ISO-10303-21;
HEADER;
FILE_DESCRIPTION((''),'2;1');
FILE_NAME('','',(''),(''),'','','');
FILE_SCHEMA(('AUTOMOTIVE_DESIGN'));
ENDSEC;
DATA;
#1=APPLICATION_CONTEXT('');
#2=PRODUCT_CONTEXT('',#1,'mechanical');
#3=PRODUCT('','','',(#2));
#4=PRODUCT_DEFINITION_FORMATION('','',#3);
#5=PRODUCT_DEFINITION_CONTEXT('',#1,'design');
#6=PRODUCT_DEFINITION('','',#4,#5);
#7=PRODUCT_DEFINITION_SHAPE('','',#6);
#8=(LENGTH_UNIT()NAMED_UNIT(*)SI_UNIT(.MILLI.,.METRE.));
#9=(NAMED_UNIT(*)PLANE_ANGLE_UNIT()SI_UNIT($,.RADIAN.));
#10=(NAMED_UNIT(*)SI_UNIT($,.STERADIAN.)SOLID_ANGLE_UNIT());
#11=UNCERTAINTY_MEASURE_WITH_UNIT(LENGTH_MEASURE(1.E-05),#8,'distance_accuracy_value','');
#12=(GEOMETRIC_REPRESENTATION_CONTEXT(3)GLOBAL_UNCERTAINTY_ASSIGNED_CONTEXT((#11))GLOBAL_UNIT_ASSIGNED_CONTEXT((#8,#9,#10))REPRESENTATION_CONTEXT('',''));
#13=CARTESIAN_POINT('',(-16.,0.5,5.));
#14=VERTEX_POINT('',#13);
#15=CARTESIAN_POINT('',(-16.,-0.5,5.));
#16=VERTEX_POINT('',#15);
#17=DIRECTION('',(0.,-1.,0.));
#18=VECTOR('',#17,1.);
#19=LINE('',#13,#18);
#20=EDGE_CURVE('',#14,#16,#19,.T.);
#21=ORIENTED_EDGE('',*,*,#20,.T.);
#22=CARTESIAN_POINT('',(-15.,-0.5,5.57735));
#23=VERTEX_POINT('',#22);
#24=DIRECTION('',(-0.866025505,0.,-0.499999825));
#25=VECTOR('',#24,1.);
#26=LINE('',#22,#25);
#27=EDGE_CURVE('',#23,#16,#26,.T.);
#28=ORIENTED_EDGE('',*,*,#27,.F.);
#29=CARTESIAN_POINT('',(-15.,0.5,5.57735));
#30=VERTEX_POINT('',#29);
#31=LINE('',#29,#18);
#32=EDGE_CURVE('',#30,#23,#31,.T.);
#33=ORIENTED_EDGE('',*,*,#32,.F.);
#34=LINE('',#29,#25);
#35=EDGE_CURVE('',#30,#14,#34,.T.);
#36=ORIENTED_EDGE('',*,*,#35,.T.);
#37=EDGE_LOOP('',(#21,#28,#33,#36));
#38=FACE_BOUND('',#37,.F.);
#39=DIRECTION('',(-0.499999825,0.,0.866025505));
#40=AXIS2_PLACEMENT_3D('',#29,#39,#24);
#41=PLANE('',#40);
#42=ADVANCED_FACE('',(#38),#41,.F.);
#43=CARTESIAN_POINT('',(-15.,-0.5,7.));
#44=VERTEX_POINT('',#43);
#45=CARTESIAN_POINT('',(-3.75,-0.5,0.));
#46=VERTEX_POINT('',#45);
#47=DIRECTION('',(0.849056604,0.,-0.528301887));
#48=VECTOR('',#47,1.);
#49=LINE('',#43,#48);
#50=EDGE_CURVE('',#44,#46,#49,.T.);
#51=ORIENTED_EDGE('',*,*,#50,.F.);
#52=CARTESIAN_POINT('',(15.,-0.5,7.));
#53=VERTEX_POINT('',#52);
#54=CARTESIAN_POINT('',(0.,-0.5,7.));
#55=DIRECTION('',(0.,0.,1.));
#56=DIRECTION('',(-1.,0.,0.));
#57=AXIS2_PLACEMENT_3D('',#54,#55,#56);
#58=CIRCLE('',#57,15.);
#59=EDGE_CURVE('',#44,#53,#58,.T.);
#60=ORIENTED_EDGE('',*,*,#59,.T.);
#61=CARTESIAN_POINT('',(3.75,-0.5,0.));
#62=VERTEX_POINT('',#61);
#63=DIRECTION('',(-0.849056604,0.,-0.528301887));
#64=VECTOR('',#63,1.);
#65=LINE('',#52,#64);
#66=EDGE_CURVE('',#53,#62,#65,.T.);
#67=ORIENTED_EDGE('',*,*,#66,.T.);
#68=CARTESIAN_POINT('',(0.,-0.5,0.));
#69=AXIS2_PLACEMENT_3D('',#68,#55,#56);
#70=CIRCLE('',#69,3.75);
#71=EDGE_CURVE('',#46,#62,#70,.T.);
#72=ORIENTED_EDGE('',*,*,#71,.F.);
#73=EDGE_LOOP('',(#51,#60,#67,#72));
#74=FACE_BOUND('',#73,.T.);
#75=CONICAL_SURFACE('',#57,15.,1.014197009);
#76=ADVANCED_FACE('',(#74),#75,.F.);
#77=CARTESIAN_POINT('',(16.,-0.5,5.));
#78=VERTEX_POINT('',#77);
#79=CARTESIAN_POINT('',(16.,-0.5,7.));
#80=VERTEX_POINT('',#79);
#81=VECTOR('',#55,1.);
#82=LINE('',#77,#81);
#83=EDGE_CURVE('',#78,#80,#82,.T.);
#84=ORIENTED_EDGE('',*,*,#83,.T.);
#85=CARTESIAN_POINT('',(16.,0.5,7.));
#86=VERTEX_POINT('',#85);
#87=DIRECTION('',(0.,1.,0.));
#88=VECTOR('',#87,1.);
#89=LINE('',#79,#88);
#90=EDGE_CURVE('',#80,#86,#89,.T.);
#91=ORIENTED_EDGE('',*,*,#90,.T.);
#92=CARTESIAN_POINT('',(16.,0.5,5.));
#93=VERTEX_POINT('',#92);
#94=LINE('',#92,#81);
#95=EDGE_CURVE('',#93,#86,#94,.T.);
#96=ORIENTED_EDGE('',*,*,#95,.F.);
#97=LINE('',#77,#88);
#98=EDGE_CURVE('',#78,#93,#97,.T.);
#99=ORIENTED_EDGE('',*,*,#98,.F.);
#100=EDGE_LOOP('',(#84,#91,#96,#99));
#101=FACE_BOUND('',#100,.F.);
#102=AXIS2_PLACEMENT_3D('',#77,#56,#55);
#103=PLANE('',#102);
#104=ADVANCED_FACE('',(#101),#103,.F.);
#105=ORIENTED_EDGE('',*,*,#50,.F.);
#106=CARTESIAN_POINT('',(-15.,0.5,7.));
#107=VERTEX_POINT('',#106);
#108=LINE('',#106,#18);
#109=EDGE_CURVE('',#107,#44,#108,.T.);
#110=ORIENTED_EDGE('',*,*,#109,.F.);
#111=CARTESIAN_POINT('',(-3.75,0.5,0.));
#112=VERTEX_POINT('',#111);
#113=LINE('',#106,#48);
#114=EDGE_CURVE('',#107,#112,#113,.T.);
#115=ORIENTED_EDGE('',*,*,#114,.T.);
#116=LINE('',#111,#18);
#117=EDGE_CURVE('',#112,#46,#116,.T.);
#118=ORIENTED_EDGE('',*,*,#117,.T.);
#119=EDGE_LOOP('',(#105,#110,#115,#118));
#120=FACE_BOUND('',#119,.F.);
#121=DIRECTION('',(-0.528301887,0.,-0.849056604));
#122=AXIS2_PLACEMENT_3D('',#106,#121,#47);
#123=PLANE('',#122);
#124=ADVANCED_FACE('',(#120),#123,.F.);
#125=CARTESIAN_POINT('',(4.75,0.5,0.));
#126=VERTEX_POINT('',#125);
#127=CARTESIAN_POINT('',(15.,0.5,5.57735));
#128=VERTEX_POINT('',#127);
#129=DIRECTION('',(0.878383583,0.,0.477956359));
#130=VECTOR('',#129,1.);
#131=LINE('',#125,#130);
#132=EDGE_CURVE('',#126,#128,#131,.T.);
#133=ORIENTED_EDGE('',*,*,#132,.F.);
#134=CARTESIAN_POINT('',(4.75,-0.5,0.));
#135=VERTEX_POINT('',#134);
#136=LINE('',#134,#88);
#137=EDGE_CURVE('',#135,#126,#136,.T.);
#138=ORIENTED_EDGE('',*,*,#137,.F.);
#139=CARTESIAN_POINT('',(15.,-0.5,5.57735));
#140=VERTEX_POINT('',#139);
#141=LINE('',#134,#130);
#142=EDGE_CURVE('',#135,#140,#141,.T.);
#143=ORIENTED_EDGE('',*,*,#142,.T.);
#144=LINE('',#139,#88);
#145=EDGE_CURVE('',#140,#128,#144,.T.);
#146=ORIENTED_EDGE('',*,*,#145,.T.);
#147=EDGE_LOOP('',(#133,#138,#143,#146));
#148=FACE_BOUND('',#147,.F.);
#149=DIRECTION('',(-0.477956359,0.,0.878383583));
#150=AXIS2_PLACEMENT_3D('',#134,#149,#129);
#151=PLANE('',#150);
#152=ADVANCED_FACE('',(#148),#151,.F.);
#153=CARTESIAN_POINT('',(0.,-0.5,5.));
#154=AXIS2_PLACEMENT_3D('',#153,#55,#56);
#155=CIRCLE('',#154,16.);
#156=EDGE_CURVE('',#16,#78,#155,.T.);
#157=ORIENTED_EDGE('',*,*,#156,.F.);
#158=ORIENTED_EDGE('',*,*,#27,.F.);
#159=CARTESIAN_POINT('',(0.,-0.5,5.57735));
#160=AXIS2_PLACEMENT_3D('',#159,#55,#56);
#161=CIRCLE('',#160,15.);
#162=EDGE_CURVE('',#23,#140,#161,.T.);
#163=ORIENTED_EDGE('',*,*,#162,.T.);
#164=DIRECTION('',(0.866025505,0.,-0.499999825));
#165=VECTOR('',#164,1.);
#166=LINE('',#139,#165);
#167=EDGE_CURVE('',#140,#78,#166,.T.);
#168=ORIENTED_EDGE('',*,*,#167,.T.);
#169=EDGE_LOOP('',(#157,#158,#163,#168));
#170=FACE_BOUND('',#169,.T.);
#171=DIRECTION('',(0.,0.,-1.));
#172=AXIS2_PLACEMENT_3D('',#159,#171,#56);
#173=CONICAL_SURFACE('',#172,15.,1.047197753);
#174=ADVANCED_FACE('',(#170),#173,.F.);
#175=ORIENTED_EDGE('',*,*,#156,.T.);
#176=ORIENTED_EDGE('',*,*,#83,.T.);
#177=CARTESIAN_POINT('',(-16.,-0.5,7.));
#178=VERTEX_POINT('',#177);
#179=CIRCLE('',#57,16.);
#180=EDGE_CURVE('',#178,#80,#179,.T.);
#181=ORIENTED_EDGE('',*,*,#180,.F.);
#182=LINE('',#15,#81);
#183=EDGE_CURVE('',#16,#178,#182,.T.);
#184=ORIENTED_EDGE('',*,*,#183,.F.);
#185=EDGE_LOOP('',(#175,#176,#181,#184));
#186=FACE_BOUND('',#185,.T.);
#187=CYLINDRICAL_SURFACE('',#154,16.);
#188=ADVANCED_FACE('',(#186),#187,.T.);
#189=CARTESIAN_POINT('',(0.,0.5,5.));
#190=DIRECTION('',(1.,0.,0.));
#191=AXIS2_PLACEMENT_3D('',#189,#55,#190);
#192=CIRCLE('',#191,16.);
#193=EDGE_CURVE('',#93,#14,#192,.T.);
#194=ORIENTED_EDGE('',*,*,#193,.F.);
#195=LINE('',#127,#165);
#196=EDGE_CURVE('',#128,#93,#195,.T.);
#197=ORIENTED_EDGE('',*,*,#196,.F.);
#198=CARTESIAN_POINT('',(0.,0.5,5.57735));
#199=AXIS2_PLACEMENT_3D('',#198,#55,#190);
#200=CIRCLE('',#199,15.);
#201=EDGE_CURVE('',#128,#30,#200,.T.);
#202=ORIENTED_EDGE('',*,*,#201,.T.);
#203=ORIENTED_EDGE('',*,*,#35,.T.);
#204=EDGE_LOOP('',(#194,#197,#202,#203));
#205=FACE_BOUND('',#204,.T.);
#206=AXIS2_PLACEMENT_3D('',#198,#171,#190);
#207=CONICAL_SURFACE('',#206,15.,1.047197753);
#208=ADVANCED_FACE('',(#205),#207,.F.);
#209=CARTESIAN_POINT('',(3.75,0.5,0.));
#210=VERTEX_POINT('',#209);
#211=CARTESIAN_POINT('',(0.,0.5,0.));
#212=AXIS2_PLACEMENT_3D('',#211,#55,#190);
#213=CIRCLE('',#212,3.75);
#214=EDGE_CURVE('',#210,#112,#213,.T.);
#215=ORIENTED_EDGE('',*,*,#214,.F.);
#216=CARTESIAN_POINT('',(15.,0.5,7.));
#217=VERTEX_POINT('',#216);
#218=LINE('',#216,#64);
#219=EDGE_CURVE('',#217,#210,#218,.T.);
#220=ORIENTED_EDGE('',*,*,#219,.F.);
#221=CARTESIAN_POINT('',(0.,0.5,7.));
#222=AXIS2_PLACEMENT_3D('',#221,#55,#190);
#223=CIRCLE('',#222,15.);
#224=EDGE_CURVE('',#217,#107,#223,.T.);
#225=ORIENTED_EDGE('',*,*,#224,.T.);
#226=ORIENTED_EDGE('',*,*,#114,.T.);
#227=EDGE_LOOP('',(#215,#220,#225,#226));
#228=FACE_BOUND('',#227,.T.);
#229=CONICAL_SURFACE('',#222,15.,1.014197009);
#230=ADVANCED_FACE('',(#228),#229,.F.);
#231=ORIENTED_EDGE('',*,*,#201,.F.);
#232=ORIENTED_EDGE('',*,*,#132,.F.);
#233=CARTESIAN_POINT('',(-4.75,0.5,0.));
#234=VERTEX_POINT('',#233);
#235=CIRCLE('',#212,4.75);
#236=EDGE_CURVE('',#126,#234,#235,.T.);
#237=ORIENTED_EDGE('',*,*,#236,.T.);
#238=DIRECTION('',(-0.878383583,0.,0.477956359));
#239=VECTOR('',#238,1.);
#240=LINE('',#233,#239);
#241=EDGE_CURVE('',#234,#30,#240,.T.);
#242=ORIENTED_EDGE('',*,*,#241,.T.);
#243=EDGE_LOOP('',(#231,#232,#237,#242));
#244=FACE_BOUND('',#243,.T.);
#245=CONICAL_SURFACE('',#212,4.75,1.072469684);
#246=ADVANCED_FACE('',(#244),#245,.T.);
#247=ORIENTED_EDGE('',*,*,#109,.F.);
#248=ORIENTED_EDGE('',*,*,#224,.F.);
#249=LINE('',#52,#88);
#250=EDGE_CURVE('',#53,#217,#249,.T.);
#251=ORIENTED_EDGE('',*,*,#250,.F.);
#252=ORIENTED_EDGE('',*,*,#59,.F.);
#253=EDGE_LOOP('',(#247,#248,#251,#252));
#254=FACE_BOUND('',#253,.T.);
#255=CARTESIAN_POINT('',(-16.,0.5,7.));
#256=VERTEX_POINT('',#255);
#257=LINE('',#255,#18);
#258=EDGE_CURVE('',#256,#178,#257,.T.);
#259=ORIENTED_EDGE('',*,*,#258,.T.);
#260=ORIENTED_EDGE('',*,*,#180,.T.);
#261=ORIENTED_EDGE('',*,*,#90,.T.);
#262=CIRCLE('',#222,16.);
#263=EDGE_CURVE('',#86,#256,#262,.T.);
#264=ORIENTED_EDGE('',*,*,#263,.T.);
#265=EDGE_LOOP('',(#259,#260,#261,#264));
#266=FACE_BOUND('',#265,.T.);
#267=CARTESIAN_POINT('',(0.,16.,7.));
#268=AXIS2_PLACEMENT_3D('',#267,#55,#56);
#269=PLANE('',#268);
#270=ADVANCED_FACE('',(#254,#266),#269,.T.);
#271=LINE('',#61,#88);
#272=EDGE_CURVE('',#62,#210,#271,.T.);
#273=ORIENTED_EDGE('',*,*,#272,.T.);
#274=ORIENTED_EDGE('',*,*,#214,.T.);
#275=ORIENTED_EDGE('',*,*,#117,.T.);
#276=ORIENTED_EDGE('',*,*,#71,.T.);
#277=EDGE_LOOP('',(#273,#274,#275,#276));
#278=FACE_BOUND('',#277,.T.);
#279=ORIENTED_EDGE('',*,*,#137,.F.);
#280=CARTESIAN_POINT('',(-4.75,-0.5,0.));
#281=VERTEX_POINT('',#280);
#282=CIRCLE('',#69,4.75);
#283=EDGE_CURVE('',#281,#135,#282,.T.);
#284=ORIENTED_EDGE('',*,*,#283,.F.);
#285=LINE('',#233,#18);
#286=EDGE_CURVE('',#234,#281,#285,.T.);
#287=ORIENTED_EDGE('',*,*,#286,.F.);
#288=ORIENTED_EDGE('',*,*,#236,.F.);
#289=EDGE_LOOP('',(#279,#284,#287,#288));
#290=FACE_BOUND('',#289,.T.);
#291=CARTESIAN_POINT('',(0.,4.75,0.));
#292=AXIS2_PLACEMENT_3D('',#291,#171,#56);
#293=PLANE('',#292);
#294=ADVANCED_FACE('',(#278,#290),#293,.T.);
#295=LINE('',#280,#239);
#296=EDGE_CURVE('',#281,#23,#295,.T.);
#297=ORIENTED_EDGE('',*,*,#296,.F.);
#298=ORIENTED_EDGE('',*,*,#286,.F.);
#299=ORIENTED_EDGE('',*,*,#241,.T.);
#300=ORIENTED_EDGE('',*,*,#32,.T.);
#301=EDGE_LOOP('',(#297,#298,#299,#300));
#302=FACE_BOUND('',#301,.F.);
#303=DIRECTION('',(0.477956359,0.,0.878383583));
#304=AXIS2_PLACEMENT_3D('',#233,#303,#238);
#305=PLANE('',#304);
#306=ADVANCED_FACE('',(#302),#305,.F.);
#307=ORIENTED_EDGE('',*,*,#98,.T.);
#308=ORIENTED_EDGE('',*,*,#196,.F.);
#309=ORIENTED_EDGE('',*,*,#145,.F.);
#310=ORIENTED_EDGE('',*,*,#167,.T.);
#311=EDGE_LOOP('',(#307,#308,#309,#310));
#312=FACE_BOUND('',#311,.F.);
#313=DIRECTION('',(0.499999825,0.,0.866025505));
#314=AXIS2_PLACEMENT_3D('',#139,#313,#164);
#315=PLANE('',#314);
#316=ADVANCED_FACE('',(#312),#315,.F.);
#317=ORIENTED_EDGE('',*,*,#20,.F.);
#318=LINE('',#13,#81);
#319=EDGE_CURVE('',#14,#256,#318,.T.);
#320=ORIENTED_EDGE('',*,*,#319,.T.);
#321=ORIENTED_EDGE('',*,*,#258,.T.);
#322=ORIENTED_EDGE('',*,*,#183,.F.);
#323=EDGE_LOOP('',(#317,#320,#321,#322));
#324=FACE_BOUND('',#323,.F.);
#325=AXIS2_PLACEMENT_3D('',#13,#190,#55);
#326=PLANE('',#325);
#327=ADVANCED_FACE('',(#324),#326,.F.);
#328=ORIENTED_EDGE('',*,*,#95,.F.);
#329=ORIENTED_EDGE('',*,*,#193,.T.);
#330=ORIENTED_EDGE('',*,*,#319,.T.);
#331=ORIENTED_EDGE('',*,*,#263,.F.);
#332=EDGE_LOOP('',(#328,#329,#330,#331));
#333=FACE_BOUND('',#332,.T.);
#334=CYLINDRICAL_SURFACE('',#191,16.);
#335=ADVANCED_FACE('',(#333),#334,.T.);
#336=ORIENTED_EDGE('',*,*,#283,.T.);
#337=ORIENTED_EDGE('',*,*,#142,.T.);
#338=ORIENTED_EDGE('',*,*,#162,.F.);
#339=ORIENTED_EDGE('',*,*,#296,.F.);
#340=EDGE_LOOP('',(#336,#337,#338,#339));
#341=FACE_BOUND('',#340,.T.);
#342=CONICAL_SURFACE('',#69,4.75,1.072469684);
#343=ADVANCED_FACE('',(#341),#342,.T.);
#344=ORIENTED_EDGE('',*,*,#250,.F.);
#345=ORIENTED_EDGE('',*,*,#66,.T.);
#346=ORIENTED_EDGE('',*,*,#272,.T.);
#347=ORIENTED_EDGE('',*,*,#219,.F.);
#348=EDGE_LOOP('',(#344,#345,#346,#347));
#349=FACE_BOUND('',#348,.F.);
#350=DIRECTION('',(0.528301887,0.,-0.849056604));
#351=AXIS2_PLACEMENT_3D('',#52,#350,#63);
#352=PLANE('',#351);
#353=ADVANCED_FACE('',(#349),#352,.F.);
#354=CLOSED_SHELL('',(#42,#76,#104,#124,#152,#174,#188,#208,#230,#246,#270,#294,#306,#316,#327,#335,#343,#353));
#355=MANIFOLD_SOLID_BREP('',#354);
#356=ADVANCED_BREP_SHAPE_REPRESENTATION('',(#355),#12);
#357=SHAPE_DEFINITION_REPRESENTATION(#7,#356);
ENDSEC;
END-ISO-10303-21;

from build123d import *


with BuildPart() as f2:
    # F2: sweep along a path in F0
    with BuildLine(Plane.XY) as f2_path:
        ThreePointArc((4.75, 0.5), (0, 5.25), (-4.75, 0.5))
        Line((-4.75, 0.5), (-4.75, -0.5))
        ThreePointArc((-4.75, -0.5), (0, -5.25), (4.75, -0.5))
        Line((4.75, -0.5), (4.75, 0.5))
    # F1 (on Front) → F2 (sweep)
    with BuildSketch(Plane.XZ):
        Polygon((3.75, 0), (4.75, 0), (15, 5.57735), (16, 5), (16, 7), (15, 7), align=None)
    sweep(path=f2_path.line)


solid = f2.part
